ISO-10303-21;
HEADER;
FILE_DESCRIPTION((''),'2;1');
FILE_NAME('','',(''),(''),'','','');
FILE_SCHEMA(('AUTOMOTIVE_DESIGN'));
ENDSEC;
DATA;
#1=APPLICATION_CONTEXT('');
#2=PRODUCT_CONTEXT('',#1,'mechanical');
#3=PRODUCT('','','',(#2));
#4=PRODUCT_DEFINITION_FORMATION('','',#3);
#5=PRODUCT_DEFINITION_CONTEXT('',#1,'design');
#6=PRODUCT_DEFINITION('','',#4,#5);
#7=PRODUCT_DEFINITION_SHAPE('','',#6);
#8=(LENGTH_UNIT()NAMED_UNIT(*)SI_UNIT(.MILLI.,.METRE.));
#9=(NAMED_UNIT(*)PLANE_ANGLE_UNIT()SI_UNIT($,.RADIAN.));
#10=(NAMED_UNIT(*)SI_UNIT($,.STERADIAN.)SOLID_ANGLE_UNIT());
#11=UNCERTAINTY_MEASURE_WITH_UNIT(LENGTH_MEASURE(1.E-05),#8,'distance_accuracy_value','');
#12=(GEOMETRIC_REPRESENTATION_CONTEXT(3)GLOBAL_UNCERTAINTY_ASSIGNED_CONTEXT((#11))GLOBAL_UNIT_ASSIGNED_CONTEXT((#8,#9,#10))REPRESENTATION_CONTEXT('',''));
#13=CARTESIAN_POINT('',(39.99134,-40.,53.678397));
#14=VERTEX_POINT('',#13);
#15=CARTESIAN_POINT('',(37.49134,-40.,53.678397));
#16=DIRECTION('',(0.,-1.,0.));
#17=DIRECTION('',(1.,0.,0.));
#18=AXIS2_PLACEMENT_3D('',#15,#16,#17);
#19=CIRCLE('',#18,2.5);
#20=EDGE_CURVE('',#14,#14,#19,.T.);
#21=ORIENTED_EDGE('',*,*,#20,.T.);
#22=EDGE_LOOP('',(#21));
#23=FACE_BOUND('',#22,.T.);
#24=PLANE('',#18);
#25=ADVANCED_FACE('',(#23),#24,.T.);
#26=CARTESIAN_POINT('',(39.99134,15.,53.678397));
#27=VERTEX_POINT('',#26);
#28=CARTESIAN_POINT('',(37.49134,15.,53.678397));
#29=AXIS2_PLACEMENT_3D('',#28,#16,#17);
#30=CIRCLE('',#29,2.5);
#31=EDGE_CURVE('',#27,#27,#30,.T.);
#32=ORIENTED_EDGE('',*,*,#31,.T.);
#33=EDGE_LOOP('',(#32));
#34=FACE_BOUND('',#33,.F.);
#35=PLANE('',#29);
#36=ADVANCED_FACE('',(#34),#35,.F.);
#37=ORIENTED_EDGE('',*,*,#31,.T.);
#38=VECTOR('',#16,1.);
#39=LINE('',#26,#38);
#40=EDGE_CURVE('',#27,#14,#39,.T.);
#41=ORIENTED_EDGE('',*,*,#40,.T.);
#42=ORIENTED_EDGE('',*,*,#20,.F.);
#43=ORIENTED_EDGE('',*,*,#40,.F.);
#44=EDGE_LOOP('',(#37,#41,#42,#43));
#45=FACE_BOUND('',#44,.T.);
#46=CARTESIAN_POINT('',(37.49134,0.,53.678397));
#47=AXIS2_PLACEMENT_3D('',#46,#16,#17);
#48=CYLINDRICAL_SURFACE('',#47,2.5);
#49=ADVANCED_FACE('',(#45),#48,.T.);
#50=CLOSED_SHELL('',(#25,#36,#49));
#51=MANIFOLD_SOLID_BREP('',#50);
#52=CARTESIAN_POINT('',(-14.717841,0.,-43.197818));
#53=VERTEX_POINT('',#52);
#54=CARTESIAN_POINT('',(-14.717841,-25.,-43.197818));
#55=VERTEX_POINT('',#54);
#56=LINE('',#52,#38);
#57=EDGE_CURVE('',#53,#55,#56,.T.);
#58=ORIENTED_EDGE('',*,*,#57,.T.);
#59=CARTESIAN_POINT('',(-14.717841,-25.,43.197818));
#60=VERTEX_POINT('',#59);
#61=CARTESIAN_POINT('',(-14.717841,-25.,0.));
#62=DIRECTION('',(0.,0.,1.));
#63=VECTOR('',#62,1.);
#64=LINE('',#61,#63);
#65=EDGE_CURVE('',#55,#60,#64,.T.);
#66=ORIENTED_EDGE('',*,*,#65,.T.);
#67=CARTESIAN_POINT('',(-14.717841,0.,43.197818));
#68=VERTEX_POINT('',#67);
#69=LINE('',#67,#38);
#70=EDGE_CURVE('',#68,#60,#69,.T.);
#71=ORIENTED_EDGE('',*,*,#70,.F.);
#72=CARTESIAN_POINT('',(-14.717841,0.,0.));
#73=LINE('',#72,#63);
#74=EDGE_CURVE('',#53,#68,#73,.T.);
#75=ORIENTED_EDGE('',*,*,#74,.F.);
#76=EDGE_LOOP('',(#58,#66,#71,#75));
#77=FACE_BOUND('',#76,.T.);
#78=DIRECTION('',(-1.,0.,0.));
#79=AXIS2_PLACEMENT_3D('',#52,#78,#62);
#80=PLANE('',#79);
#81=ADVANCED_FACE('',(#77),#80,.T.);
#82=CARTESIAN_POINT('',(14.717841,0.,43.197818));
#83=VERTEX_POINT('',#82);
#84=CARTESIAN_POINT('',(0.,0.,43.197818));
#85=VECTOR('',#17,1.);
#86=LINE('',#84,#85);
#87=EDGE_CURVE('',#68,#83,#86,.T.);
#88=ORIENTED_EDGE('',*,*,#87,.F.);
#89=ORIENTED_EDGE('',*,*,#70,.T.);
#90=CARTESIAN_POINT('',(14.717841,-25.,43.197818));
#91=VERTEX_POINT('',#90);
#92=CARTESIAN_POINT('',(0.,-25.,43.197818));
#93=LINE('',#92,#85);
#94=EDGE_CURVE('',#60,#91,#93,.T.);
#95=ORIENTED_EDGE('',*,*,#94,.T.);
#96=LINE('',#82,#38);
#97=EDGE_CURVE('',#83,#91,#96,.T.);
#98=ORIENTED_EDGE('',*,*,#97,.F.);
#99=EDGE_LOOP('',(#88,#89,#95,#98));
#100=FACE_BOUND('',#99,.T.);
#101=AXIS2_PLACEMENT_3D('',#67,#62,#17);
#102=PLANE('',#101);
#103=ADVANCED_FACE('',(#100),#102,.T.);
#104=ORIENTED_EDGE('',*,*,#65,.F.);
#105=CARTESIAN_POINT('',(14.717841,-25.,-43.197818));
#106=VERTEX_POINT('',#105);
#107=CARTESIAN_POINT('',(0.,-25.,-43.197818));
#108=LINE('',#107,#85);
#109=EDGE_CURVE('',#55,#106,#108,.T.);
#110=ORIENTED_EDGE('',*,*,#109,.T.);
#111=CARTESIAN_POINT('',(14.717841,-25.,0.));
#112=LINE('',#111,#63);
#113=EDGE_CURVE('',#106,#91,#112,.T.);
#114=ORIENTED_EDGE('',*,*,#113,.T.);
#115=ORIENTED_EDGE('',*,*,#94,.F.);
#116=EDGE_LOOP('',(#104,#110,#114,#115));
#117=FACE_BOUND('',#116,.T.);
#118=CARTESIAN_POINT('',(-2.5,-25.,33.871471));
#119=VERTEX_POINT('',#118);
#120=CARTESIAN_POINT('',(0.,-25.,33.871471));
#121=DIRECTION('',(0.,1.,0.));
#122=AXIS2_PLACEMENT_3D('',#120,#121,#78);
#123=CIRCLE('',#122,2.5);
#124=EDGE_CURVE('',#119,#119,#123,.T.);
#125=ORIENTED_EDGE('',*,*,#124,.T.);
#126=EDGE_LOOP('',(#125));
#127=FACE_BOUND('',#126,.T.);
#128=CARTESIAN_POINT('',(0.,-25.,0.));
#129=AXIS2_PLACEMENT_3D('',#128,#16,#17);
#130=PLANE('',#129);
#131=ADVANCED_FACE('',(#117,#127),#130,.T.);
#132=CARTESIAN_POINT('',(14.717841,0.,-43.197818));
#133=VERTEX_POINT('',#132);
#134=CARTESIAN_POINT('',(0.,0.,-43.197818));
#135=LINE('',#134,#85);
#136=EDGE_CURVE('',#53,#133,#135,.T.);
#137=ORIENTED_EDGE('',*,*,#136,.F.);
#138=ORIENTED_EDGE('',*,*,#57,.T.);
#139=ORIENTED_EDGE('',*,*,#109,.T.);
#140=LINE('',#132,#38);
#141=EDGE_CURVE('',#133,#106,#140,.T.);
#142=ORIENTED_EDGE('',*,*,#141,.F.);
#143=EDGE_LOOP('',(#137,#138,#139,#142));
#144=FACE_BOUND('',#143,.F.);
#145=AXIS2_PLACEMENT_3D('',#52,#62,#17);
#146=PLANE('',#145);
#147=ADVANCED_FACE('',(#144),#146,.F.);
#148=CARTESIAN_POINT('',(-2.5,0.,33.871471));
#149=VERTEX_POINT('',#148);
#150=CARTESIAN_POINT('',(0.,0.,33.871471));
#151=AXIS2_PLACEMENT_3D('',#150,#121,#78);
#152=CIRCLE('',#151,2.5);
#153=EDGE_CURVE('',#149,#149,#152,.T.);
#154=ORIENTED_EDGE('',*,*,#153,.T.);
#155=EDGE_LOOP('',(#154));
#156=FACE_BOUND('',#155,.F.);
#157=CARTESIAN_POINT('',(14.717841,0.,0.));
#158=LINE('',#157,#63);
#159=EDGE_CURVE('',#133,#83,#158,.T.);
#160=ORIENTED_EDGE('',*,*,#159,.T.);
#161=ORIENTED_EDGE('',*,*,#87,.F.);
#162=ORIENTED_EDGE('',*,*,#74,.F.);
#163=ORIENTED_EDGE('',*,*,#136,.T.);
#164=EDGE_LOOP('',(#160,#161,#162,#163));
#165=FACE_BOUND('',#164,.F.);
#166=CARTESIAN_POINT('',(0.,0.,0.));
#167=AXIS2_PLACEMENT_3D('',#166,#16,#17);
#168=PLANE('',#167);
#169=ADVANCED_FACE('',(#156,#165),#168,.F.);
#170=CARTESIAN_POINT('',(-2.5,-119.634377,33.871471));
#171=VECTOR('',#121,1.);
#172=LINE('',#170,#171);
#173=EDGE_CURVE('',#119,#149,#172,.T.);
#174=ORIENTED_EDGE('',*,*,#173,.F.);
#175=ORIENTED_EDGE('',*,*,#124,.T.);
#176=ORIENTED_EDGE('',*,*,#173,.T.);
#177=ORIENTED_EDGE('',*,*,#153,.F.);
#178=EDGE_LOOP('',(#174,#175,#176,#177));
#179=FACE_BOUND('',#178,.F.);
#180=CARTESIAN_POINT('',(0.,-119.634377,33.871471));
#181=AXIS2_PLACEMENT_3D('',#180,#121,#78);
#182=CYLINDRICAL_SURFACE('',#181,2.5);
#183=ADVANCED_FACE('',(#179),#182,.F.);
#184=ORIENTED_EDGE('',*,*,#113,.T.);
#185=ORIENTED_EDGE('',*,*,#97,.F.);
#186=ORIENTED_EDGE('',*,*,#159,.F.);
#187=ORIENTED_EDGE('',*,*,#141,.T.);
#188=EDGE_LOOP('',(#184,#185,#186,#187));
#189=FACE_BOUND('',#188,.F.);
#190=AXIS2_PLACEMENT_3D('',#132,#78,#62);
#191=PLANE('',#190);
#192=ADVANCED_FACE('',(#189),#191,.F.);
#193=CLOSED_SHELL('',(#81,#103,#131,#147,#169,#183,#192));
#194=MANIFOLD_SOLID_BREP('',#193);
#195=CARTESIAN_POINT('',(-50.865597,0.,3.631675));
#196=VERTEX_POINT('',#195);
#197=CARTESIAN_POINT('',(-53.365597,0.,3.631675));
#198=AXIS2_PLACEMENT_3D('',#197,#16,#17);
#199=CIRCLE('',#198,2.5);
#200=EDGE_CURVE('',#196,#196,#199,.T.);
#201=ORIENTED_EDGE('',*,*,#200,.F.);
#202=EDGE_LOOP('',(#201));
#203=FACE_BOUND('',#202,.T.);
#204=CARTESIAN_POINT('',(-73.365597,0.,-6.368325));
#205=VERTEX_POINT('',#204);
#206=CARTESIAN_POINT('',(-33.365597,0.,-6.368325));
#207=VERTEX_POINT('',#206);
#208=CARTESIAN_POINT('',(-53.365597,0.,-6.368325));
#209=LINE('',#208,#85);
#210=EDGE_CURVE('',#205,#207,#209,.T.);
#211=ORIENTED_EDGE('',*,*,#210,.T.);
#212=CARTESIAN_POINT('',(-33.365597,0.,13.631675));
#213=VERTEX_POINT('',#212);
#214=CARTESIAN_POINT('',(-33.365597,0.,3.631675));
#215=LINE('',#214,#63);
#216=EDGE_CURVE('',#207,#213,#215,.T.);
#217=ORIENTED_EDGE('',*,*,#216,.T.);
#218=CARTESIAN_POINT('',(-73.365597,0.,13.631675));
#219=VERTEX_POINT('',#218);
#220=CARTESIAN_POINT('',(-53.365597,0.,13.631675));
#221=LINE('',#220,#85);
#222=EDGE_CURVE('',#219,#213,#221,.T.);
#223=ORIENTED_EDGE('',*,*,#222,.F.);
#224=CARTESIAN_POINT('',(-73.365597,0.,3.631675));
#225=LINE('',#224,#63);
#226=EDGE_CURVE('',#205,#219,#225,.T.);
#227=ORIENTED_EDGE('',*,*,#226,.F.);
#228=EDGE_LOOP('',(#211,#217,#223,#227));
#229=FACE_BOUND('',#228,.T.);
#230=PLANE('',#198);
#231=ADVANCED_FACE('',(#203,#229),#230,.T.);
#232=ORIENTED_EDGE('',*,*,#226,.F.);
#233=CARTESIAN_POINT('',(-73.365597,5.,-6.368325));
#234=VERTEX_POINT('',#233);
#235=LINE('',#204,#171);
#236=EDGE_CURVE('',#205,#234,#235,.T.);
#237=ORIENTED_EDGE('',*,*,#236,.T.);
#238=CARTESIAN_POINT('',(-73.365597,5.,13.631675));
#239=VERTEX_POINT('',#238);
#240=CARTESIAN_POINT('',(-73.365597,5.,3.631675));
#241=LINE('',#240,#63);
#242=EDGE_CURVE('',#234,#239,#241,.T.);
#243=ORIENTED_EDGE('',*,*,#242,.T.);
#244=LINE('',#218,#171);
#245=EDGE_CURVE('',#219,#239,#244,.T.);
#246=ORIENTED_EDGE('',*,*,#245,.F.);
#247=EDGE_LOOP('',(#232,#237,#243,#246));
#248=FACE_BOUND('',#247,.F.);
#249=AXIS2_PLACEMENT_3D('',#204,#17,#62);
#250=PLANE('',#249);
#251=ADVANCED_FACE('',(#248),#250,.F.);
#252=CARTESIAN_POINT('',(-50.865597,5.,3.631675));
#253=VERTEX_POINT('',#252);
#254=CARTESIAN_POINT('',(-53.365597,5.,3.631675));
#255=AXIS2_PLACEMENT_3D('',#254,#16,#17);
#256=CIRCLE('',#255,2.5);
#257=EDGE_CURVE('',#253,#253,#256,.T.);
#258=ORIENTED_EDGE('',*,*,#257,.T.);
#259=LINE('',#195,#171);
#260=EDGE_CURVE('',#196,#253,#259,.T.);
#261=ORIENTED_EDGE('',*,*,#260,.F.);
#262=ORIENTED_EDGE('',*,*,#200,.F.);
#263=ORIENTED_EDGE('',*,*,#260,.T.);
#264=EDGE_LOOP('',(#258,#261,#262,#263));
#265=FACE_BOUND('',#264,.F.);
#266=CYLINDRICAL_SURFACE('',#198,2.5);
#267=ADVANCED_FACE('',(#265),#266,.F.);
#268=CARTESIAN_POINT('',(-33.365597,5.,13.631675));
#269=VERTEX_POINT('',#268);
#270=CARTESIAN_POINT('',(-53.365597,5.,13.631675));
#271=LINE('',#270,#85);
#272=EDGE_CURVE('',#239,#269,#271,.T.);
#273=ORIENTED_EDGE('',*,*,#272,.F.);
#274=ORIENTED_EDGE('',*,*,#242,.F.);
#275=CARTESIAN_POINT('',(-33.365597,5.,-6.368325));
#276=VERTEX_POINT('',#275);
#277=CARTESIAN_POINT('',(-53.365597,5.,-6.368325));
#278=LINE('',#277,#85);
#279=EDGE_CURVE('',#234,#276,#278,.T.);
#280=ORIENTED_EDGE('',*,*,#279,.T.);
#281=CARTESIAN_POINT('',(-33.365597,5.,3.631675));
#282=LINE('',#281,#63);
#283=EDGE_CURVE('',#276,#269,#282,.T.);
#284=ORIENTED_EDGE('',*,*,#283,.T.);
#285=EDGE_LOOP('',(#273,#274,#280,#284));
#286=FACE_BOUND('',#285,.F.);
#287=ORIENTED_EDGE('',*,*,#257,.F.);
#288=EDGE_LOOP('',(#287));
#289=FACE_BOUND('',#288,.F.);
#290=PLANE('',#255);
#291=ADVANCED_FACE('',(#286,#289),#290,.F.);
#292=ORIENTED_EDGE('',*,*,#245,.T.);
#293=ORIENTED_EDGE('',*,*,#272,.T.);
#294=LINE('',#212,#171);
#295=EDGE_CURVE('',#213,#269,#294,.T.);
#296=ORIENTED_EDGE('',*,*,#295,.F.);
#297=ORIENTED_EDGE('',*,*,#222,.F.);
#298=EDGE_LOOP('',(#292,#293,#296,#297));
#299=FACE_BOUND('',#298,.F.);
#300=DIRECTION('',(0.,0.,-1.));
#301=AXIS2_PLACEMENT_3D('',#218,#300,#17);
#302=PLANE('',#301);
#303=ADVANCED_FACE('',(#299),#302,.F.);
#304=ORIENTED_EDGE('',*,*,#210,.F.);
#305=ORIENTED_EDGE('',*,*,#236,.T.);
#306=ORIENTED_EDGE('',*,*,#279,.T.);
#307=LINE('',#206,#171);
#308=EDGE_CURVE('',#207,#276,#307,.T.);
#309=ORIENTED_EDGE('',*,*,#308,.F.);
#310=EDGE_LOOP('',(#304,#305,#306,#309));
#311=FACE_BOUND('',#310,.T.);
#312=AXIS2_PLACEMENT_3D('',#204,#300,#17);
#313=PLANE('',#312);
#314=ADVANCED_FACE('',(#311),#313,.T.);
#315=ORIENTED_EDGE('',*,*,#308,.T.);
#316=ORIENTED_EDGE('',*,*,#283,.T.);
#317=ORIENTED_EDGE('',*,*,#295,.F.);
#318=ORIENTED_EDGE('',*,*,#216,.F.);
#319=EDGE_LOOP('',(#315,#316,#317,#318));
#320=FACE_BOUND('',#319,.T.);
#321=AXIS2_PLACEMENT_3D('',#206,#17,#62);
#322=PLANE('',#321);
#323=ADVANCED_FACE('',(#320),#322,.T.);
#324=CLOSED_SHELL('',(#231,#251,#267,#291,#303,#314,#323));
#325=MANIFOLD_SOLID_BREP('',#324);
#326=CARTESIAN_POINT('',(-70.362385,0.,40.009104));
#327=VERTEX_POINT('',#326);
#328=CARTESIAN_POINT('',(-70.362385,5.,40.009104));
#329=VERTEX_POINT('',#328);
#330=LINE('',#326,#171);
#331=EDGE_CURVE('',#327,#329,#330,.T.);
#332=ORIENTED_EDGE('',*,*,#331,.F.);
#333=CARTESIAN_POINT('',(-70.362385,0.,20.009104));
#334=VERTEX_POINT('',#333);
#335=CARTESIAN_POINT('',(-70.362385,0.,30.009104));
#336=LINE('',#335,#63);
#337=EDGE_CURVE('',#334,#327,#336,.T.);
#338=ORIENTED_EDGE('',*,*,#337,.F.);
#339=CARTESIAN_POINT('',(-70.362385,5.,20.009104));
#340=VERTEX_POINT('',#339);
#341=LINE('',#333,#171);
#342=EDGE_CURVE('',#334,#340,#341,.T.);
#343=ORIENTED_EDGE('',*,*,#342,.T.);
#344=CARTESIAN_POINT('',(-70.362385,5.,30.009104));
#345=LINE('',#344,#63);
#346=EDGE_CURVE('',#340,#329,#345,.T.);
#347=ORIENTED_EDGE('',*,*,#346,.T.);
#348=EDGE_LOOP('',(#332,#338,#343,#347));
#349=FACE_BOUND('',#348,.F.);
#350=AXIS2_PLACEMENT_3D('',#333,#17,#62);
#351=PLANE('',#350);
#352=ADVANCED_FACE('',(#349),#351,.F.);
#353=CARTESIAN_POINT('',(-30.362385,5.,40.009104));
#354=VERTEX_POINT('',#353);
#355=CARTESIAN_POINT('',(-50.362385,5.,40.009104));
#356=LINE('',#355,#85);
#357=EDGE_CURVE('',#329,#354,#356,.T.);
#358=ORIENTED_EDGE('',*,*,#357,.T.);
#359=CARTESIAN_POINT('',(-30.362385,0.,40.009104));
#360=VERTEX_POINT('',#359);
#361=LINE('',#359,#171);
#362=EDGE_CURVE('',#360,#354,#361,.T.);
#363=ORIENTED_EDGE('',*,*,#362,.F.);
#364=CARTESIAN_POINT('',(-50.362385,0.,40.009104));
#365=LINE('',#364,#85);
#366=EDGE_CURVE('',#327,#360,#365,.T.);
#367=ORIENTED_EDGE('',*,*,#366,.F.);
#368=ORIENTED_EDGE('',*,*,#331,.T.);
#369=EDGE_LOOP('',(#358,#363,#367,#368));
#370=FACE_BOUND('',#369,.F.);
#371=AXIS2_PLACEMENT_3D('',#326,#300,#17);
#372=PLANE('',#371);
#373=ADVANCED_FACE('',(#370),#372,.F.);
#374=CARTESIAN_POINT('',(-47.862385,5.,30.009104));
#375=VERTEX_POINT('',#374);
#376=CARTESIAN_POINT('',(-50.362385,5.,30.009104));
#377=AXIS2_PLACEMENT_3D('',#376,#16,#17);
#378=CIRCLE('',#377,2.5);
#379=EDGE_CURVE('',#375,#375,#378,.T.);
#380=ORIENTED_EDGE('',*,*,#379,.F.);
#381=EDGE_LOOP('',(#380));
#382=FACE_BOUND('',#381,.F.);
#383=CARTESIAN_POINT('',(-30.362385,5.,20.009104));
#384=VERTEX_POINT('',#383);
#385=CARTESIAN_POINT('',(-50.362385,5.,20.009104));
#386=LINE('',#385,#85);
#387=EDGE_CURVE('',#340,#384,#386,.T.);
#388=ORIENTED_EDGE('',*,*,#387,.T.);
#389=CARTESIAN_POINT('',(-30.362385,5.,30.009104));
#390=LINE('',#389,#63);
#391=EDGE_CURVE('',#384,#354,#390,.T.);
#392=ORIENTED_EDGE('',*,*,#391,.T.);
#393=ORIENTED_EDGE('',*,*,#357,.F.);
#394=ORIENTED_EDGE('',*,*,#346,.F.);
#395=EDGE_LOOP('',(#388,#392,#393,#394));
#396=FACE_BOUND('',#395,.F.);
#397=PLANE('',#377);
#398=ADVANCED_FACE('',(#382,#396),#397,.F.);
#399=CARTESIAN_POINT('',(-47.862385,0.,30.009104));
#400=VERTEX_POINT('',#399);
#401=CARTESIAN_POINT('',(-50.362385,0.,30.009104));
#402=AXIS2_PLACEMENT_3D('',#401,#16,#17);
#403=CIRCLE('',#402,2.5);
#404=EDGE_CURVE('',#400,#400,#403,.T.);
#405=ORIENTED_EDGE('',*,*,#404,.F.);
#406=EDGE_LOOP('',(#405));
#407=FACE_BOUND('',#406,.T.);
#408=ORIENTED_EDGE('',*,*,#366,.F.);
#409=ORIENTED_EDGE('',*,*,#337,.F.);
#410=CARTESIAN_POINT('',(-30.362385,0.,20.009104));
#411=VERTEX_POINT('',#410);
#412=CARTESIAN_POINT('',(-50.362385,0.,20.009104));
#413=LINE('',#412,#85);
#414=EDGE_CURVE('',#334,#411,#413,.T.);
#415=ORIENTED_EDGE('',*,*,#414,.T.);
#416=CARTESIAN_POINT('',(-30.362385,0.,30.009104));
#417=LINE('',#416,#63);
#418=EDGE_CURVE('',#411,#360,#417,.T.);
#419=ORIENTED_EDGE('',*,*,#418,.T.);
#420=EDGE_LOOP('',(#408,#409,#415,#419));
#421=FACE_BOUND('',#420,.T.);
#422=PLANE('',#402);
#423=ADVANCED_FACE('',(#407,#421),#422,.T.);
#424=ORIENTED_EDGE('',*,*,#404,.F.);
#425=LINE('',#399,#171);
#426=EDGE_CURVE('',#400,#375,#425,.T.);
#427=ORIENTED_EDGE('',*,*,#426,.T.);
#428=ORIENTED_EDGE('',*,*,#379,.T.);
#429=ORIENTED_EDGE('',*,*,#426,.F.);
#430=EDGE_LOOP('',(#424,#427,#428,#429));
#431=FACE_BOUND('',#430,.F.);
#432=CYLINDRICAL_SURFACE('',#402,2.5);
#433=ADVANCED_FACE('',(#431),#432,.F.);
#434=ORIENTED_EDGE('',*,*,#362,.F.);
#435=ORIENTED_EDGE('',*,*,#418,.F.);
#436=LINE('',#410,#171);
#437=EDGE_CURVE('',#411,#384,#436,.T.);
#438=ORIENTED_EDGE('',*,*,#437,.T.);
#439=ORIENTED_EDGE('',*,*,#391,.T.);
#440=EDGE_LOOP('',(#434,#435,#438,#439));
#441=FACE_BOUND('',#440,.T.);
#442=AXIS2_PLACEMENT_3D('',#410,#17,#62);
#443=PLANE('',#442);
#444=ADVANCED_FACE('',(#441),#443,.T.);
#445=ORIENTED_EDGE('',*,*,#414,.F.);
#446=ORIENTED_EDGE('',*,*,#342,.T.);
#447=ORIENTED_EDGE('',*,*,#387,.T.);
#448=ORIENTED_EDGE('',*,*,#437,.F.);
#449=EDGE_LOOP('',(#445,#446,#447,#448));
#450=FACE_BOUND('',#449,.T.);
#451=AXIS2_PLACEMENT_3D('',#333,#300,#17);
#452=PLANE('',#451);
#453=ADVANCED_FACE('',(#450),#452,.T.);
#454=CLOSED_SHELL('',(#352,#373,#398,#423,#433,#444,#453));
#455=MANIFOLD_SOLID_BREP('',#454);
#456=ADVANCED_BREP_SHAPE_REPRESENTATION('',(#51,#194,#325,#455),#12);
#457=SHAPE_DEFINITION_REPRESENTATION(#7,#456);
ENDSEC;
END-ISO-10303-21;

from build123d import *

# Parameters (mm, degrees)
F0_W          = 29.435682
F0_H          = 86.395636
F1_DEPTH      = 25
F3_D          = 5
F4_R          = 2.5
F5_DEPTH      = 40
F5_DEPTH_BACK = 15
F6_W          = 40
F6_H          = 20
F6_R          = 2.5
F7_DEPTH      = 5
F8_W          = 40
F8_H          = 20
F8_R          = 2.5
F9_DEPTH      = 5


with BuildPart() as f1:
    # F0 (on Front) → F1 (new body)
    with BuildSketch(Plane.XZ):
        Rectangle(F0_W, F0_H)
    extrude(amount=F1_DEPTH)

    # F3 (through all)
    with Locations(Plane.XZ.offset(25)):
        with Locations((0, 33.871471)):
            Hole(F3_D / 2)


with BuildPart() as f5:
    # F4 (on Front) → F5 (new body, two sides)
    with BuildSketch(Plane.XZ) as f5_sk:
        with Locations((37.49134, 53.678397)):
            Circle(F4_R)
    extrude(amount=F5_DEPTH)
    extrude(f5_sk.sketch, amount=-F5_DEPTH_BACK)


with BuildPart() as f7:
    # F6 (on Front) → F7 (new body)
    with BuildSketch(Plane.XZ):
        with Locations((-50.362385, 30.009104)):
            Rectangle(F6_W, F6_H)
        with Locations((-50.362385, 30.009104)):
            Circle(F6_R, mode=Mode.SUBTRACT)
    extrude(amount=-F7_DEPTH)


with BuildPart() as f9:
    # F8 (on Front) → F9 (new body)
    with BuildSketch(Plane.XZ):
        with Locations((-53.365597, 3.631675)):
            Rectangle(F8_W, F8_H)
        with Locations((-53.365597, 3.631675)):
            Circle(F8_R, mode=Mode.SUBTRACT)
    extrude(amount=-F9_DEPTH)


solid = Compound([f1.part, f5.part, f7.part, f9.part])
